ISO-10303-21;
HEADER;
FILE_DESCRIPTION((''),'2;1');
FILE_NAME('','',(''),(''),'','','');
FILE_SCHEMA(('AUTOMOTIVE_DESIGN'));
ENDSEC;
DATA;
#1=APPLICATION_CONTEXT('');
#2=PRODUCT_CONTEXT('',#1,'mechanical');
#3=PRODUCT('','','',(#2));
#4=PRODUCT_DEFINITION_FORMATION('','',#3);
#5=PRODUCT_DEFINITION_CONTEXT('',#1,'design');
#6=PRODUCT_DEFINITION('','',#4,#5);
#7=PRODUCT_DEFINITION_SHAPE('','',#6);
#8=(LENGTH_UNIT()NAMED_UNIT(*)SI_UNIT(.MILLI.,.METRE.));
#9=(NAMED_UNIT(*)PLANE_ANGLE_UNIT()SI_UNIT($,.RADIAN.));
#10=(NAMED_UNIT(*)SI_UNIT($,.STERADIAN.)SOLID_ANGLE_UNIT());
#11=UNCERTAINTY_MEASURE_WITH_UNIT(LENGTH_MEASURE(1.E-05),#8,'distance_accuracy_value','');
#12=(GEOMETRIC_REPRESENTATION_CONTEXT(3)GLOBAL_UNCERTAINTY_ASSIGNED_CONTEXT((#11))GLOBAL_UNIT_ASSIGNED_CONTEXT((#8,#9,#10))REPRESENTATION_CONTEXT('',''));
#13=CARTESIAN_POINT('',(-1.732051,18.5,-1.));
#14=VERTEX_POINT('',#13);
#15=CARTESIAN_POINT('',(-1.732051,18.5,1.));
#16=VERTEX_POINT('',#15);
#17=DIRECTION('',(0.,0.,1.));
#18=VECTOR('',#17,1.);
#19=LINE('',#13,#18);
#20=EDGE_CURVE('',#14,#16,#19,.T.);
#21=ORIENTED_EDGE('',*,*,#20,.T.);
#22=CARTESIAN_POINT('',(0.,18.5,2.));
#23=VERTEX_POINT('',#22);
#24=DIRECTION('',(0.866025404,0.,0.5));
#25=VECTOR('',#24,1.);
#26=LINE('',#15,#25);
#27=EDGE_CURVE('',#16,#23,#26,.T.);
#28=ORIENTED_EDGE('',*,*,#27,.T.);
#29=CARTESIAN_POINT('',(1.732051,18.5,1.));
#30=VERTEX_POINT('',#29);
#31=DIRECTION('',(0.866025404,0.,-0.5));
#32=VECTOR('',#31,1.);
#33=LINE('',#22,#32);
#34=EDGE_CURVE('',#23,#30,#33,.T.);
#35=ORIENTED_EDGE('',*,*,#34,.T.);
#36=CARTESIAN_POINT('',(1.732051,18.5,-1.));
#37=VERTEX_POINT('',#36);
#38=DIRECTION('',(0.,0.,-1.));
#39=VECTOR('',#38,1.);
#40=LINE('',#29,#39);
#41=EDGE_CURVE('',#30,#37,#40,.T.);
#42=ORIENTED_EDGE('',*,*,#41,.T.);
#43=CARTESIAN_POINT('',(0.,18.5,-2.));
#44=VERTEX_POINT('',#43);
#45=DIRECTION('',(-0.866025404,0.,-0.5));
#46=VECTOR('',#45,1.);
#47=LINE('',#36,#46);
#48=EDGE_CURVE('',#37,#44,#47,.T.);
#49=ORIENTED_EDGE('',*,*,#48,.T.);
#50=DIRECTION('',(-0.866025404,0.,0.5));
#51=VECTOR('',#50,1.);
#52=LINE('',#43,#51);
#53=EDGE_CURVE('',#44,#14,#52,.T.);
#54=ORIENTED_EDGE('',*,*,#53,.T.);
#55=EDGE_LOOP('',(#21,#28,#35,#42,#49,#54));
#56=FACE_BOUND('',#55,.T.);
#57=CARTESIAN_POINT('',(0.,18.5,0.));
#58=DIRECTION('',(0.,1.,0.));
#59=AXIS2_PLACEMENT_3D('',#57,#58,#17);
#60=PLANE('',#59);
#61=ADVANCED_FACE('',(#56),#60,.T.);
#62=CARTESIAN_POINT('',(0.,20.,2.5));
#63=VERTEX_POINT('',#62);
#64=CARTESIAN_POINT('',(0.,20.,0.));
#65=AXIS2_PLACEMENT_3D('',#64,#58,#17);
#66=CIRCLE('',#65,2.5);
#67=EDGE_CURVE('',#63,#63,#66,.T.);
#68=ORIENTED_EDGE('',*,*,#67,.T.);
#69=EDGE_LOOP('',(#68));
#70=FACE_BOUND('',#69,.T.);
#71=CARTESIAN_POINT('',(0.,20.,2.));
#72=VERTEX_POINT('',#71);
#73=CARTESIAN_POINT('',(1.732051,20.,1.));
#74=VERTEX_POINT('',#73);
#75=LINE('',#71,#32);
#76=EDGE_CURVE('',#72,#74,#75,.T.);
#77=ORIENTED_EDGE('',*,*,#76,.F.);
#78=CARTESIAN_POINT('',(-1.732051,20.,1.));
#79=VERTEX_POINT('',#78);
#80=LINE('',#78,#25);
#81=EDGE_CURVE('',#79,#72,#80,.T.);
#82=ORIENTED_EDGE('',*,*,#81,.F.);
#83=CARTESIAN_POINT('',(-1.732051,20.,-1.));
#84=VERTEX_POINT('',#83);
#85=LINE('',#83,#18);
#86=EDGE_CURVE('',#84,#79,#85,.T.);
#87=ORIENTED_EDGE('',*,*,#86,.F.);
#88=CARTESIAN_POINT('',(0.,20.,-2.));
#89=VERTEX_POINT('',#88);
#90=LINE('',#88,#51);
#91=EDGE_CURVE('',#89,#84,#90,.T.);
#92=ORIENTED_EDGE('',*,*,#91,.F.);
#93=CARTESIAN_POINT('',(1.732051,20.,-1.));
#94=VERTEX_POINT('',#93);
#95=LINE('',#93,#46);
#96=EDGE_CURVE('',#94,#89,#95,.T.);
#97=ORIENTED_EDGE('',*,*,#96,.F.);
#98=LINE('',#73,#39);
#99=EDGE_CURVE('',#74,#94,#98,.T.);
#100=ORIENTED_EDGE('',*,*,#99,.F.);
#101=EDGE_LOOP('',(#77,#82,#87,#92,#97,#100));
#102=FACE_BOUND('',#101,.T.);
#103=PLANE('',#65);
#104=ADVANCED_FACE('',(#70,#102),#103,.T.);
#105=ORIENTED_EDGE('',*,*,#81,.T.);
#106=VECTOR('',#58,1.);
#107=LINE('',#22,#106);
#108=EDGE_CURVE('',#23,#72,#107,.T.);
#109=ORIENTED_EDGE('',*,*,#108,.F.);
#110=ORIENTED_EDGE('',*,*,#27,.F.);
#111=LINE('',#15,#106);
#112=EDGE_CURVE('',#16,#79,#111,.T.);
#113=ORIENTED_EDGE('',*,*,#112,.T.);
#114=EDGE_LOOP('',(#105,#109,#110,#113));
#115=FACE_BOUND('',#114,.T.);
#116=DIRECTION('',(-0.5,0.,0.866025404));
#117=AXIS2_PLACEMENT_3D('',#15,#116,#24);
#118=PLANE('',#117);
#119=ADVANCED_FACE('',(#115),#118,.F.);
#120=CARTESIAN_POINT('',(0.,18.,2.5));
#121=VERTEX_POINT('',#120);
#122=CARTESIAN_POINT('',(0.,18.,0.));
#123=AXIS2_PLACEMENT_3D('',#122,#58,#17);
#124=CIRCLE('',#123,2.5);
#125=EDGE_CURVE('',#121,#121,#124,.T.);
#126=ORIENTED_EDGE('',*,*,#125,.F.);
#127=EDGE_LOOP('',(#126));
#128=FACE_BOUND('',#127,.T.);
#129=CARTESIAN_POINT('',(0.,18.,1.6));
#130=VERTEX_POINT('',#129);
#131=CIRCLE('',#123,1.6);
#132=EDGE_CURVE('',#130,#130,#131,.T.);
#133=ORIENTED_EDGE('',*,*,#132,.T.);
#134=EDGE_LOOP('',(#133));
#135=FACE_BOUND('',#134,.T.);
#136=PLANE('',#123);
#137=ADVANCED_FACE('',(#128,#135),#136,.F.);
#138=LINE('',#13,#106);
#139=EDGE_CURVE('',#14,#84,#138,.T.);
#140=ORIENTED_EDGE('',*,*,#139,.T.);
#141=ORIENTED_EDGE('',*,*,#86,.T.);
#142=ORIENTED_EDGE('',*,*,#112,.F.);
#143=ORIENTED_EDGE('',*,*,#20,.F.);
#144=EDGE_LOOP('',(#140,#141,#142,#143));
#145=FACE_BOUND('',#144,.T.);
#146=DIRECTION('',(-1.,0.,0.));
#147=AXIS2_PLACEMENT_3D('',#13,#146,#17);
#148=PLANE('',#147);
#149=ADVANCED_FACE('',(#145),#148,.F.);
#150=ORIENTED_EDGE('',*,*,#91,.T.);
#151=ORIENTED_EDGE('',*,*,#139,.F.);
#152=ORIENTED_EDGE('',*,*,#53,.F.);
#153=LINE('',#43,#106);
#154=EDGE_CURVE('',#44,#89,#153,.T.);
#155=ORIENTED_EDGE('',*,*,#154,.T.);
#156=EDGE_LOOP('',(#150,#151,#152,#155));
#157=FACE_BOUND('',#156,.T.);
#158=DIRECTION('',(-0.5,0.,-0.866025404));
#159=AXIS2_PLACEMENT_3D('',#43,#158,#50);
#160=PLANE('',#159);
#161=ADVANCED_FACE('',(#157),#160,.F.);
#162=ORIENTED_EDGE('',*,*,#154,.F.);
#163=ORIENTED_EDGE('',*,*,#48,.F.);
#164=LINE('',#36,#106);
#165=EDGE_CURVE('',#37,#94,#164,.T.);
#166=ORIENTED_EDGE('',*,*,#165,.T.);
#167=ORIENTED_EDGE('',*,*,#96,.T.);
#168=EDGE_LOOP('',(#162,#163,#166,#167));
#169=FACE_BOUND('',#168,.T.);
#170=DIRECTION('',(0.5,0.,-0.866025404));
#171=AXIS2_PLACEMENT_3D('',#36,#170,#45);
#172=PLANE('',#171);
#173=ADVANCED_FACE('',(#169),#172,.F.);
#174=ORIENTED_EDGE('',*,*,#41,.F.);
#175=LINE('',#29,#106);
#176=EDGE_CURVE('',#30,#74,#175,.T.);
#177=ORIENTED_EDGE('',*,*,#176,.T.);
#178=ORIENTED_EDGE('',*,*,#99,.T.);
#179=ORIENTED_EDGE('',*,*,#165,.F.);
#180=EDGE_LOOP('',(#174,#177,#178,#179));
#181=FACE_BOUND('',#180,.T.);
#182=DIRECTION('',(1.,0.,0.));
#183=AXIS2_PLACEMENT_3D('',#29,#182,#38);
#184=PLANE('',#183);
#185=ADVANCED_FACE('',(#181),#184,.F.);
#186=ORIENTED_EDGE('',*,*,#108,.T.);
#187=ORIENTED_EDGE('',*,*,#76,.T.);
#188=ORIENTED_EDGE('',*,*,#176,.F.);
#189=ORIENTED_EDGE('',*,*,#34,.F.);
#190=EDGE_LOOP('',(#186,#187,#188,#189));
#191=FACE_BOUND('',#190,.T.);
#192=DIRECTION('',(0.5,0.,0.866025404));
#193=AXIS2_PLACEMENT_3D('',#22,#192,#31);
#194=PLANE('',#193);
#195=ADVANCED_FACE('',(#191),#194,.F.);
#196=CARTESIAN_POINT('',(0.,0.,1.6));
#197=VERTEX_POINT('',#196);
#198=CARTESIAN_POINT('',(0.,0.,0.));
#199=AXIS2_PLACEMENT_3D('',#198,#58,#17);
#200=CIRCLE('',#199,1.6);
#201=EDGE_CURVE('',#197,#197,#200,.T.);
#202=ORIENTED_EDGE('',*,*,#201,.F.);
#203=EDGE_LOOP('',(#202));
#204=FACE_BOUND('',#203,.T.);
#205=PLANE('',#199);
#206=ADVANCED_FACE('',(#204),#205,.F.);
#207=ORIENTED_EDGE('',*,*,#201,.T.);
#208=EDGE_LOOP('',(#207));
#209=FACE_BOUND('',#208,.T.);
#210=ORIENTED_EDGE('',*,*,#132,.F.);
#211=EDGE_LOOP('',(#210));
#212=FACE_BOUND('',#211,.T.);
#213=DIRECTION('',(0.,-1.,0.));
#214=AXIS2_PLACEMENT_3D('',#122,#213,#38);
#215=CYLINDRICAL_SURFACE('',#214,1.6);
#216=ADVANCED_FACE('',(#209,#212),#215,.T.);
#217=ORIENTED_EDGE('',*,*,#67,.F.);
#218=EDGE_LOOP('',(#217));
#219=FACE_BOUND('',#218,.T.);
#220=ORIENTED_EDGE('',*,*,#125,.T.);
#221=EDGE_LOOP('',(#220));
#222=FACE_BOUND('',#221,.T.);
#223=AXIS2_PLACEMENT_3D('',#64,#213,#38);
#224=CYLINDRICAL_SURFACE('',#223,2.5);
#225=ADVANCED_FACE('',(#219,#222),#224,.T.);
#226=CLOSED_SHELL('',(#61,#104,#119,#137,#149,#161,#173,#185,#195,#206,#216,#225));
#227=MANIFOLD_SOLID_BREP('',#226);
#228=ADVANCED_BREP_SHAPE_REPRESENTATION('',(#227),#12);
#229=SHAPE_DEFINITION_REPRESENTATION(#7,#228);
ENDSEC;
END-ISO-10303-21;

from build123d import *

# Parameters (mm, degrees)
SKETCH1_R           = 1.6
BOSS_EXTRUDE1_DEPTH = 18
SKETCH2_R           = 2.5
BOSS_EXTRUDE2_DEPTH = 2
CUT_EXTRUDE2_DEPTH  = 1.5


with BuildPart() as part:
    # Sketch1 → Boss-Extrude1 (new body)
    with BuildSketch(Plane(origin=(0, 0, 0), x_dir=(1, 0, 0), z_dir=(0, 1, 0))):
        Circle(SKETCH1_R)
    extrude(amount=BOSS_EXTRUDE1_DEPTH)

    # Sketch2 → Boss-Extrude2 (add)
    with BuildSketch(Plane(origin=(0, 18, 0), x_dir=(1, 0, 0), z_dir=(0, 1, 0))):
        Circle(SKETCH2_R)
    extrude(amount=BOSS_EXTRUDE2_DEPTH)

    # Sketch3 → Cut-Extrude2 (cut)
    with BuildSketch(Plane(origin=(0, 20, 0), x_dir=(1, 0, 0), z_dir=(0, 1, 0))):
        Polygon((0, 2), (-1.732050808, 1), (-1.732050808, -1), (0, -2), (1.732050808, -1), (1.732050808, 1), align=None)
    extrude(amount=-CUT_EXTRUDE2_DEPTH, mode=Mode.SUBTRACT)


solid = part.part
